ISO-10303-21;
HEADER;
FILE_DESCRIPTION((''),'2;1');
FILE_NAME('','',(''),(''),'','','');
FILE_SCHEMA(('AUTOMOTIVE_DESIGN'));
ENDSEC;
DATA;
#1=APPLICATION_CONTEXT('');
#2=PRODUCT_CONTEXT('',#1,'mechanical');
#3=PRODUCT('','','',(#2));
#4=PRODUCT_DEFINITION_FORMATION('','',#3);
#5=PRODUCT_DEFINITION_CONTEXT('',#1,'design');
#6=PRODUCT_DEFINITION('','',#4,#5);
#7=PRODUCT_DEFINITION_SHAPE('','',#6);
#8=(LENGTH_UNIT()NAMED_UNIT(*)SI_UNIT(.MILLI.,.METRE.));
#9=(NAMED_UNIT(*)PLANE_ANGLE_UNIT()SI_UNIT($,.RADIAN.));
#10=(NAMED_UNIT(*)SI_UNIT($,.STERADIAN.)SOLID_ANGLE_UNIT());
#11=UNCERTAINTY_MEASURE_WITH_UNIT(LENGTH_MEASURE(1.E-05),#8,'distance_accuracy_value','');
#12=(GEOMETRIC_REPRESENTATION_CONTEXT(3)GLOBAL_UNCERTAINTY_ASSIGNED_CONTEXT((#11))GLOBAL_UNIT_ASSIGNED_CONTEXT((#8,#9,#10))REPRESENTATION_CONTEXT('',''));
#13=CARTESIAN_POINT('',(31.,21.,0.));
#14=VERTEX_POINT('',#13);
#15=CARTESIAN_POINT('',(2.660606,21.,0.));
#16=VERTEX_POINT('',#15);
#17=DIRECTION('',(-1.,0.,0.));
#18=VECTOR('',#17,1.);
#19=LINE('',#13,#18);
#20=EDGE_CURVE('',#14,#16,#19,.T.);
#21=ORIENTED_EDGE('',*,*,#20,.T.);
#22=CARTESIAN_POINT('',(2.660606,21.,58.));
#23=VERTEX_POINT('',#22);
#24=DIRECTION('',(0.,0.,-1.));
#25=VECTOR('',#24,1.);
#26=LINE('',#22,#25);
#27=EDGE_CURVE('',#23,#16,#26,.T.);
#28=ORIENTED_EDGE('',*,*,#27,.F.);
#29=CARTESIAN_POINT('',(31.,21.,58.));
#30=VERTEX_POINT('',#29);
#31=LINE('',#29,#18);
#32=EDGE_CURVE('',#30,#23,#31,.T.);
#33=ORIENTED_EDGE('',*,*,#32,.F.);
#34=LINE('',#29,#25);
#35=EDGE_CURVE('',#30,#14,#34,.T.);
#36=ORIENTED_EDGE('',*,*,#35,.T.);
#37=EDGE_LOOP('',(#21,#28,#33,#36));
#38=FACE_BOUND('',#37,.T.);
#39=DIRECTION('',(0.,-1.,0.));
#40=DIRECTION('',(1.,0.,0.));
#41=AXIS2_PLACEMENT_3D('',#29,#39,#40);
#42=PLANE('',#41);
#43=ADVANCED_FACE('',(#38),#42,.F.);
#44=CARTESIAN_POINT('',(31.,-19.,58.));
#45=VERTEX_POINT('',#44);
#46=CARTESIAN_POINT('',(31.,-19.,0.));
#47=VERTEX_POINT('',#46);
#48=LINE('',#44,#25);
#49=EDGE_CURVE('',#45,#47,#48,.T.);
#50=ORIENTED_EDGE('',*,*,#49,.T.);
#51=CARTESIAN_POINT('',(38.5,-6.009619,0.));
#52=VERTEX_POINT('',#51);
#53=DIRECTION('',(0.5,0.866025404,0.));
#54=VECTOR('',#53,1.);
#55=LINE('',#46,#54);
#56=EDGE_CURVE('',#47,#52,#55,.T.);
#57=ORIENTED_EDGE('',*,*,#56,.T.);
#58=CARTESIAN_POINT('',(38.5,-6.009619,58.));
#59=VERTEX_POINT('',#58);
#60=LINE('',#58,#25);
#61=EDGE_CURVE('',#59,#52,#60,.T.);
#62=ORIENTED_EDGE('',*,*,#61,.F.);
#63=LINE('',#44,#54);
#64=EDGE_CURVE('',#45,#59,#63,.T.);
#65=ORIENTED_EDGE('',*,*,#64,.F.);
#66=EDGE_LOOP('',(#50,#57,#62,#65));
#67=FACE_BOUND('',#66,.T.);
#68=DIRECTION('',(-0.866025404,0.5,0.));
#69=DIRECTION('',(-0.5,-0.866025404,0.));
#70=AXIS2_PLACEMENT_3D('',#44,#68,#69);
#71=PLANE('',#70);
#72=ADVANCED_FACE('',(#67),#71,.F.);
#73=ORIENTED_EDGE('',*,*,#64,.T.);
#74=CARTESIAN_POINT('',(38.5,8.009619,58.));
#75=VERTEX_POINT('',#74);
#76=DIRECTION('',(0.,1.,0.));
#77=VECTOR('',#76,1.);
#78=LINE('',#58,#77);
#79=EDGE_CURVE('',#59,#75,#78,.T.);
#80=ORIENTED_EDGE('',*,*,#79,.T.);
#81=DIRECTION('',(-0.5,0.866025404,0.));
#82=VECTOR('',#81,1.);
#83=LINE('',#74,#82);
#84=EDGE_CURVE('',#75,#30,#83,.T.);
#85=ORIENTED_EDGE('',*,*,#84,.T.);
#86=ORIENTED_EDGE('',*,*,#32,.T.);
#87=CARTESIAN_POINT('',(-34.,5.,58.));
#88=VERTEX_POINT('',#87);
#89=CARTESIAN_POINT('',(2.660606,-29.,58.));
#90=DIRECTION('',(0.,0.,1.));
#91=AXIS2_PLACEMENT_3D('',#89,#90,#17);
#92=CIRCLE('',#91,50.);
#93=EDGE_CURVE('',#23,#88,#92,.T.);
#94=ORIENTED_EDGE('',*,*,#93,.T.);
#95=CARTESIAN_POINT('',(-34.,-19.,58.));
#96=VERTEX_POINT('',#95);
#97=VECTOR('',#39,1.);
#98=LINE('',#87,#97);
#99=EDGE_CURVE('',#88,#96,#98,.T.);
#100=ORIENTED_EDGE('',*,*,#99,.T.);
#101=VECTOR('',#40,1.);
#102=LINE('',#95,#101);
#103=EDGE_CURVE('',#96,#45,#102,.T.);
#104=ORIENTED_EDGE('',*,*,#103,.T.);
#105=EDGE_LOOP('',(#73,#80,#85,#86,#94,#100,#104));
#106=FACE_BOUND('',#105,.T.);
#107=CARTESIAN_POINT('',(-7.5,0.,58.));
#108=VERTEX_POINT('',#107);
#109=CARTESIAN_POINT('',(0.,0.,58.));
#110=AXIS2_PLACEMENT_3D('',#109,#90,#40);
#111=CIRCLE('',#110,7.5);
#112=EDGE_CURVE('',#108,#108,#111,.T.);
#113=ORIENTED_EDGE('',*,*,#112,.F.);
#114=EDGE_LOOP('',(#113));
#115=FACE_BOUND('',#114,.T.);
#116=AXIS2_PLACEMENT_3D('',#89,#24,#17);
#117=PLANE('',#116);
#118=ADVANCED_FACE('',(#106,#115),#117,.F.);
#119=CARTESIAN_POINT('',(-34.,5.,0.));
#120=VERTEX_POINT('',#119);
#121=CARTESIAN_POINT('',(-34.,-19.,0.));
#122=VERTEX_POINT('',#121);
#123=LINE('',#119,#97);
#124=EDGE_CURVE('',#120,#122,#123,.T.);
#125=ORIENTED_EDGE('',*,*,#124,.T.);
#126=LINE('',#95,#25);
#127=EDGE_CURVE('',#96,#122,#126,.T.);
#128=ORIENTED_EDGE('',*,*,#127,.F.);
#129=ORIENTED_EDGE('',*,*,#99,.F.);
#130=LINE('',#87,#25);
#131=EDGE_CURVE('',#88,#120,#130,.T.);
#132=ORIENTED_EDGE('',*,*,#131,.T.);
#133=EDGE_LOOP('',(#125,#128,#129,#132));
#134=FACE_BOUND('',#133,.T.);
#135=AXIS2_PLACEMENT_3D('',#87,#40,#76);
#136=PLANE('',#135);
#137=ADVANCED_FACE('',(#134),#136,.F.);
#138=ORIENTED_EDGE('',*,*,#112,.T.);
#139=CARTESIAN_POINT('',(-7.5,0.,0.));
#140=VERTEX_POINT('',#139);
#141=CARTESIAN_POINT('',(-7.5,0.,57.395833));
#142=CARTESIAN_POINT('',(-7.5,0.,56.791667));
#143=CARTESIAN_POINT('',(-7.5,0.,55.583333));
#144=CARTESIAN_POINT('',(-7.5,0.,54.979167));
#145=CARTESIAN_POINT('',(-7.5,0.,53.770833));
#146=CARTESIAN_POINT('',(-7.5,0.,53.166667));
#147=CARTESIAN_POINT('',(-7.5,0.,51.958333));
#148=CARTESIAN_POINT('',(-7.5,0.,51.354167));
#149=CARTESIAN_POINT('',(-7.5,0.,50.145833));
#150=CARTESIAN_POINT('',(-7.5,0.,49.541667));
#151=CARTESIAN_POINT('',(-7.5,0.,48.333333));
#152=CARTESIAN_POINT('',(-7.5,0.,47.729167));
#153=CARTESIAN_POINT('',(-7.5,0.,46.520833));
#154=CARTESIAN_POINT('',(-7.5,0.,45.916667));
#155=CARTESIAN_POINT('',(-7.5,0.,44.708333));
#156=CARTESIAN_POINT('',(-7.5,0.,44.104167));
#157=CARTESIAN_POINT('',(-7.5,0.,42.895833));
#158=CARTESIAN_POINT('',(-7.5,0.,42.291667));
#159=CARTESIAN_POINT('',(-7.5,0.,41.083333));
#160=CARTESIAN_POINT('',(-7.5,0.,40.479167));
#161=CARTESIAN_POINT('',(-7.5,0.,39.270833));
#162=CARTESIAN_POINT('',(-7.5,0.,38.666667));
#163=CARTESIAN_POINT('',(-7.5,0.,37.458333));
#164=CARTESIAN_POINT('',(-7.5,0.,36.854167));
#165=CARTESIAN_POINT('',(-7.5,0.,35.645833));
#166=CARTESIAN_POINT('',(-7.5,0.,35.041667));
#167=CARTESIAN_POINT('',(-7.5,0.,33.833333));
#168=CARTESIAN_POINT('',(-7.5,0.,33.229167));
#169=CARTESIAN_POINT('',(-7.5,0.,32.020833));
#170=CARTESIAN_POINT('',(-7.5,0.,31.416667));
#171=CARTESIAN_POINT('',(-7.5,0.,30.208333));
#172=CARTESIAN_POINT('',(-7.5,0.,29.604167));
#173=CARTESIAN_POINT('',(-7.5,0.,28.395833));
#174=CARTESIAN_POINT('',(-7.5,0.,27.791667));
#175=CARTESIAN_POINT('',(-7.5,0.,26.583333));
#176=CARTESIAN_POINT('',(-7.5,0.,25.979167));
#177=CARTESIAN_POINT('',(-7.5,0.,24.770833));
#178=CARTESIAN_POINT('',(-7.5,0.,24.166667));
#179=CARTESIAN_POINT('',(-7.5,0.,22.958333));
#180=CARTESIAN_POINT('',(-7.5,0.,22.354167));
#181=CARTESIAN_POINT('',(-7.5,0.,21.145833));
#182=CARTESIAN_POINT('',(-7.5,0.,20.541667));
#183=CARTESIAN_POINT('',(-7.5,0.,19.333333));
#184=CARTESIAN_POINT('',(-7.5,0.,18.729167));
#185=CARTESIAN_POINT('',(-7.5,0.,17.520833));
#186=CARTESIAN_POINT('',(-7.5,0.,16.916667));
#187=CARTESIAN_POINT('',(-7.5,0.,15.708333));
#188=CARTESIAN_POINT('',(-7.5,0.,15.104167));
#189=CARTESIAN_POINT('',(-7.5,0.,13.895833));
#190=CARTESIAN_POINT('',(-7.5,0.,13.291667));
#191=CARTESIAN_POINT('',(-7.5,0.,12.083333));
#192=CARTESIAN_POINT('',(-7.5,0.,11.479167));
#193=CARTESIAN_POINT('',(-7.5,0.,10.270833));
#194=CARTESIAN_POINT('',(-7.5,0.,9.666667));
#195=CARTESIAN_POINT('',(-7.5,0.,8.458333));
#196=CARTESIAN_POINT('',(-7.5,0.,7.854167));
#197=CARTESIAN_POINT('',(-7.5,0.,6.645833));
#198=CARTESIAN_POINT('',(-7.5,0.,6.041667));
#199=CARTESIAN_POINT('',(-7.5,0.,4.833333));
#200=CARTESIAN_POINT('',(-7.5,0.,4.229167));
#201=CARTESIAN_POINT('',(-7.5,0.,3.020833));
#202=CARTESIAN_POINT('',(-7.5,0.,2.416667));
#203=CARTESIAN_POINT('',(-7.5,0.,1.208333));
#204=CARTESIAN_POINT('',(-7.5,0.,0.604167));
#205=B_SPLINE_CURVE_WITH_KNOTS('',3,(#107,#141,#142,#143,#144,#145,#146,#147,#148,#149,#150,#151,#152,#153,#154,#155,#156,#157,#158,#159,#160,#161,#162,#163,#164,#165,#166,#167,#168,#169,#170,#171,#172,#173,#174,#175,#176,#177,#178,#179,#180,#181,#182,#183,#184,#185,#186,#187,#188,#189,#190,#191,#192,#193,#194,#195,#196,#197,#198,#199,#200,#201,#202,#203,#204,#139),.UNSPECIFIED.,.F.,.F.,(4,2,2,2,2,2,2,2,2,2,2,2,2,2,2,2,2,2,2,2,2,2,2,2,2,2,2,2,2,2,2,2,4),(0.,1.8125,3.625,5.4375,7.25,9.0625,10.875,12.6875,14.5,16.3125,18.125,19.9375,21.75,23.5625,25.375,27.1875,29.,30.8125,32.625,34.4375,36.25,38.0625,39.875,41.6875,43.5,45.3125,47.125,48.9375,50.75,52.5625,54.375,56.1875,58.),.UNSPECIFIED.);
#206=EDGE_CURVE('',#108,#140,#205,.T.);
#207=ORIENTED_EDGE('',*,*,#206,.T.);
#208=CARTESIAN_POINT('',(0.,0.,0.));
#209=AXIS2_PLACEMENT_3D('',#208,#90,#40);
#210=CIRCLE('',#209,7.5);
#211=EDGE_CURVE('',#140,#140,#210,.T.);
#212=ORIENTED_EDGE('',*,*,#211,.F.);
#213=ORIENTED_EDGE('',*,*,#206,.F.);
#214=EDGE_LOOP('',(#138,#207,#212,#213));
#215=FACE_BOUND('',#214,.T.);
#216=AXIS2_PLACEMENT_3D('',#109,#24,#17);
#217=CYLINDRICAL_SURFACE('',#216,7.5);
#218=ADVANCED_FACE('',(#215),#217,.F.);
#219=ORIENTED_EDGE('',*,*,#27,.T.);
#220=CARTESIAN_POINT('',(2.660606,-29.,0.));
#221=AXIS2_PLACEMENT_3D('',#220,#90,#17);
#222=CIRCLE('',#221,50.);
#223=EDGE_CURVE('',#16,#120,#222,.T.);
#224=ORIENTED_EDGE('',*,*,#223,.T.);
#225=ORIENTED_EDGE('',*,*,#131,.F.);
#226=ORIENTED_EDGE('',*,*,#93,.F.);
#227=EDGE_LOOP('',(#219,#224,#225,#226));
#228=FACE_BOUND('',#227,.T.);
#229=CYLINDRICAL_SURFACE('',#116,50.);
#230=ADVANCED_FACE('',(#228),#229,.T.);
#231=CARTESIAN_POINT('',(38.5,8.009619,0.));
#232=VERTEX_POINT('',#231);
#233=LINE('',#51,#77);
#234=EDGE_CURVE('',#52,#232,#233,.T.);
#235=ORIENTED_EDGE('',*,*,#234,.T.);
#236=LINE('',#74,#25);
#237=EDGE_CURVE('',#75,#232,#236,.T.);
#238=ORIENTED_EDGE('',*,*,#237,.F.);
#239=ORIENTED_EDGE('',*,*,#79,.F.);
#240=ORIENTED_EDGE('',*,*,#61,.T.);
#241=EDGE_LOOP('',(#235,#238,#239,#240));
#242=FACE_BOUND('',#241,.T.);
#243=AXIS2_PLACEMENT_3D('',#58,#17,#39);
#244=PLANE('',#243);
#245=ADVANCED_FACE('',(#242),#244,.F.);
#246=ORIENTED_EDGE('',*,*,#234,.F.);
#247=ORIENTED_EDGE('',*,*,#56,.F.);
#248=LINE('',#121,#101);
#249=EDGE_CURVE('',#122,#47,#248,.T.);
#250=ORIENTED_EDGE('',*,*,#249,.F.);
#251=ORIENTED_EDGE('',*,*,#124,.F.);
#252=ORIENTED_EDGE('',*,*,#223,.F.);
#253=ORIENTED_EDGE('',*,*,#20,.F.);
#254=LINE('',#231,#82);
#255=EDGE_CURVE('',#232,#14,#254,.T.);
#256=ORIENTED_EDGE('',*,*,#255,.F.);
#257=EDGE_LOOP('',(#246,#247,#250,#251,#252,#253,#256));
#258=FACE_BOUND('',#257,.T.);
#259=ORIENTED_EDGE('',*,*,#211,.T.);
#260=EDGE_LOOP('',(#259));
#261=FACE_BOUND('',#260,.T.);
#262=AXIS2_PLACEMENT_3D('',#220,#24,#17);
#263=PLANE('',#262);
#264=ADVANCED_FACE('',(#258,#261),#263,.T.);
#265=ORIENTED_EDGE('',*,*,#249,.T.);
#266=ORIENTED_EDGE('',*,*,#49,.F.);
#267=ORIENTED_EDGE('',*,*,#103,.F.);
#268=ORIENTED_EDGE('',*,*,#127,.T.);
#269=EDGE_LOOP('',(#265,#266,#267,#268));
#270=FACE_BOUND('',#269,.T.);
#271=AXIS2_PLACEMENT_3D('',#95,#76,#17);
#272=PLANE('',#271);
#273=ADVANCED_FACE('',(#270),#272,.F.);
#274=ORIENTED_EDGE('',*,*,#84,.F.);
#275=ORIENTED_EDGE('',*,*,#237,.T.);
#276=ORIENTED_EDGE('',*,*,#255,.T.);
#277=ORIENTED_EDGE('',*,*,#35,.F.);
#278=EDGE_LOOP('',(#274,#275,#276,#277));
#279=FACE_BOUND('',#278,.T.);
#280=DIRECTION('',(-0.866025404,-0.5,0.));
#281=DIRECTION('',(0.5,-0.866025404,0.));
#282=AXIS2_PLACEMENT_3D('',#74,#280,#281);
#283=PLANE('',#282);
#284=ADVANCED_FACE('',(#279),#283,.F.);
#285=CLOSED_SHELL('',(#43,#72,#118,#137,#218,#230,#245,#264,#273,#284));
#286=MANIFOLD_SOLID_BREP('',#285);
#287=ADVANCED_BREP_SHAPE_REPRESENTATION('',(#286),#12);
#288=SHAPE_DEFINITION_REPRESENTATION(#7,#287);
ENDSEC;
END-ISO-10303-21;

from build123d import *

# Parameters (mm, degrees)
SKETCH1_R           = 7.5
BOSS_EXTRUDE2_DEPTH = 58


with BuildPart() as part:
    # Sketch1 → Boss-Extrude2 (new body)
    with BuildSketch(Plane.XY):
        with BuildLine():
            Line((-34, 5), (-34, -19))
            Line((-34, -19), (31, -19))
            Line((31, -19), (38.5, -6.009618943))
            Line((38.5, -6.009618943), (38.5, 8.009618943))
            Line((38.5, 8.009618943), (31, 21))
            Line((31, 21), (2.66060556, 21))
            ThreePointArc((2.66060556, 21), (-17.33939444, 16.82575695), (-34, 5))
        make_face()
        with Locations(Location((0, 0, 0), (0, 0, 180))):
            Circle(SKETCH1_R, mode=Mode.SUBTRACT)
    extrude(amount=BOSS_EXTRUDE2_DEPTH)


solid = part.part
